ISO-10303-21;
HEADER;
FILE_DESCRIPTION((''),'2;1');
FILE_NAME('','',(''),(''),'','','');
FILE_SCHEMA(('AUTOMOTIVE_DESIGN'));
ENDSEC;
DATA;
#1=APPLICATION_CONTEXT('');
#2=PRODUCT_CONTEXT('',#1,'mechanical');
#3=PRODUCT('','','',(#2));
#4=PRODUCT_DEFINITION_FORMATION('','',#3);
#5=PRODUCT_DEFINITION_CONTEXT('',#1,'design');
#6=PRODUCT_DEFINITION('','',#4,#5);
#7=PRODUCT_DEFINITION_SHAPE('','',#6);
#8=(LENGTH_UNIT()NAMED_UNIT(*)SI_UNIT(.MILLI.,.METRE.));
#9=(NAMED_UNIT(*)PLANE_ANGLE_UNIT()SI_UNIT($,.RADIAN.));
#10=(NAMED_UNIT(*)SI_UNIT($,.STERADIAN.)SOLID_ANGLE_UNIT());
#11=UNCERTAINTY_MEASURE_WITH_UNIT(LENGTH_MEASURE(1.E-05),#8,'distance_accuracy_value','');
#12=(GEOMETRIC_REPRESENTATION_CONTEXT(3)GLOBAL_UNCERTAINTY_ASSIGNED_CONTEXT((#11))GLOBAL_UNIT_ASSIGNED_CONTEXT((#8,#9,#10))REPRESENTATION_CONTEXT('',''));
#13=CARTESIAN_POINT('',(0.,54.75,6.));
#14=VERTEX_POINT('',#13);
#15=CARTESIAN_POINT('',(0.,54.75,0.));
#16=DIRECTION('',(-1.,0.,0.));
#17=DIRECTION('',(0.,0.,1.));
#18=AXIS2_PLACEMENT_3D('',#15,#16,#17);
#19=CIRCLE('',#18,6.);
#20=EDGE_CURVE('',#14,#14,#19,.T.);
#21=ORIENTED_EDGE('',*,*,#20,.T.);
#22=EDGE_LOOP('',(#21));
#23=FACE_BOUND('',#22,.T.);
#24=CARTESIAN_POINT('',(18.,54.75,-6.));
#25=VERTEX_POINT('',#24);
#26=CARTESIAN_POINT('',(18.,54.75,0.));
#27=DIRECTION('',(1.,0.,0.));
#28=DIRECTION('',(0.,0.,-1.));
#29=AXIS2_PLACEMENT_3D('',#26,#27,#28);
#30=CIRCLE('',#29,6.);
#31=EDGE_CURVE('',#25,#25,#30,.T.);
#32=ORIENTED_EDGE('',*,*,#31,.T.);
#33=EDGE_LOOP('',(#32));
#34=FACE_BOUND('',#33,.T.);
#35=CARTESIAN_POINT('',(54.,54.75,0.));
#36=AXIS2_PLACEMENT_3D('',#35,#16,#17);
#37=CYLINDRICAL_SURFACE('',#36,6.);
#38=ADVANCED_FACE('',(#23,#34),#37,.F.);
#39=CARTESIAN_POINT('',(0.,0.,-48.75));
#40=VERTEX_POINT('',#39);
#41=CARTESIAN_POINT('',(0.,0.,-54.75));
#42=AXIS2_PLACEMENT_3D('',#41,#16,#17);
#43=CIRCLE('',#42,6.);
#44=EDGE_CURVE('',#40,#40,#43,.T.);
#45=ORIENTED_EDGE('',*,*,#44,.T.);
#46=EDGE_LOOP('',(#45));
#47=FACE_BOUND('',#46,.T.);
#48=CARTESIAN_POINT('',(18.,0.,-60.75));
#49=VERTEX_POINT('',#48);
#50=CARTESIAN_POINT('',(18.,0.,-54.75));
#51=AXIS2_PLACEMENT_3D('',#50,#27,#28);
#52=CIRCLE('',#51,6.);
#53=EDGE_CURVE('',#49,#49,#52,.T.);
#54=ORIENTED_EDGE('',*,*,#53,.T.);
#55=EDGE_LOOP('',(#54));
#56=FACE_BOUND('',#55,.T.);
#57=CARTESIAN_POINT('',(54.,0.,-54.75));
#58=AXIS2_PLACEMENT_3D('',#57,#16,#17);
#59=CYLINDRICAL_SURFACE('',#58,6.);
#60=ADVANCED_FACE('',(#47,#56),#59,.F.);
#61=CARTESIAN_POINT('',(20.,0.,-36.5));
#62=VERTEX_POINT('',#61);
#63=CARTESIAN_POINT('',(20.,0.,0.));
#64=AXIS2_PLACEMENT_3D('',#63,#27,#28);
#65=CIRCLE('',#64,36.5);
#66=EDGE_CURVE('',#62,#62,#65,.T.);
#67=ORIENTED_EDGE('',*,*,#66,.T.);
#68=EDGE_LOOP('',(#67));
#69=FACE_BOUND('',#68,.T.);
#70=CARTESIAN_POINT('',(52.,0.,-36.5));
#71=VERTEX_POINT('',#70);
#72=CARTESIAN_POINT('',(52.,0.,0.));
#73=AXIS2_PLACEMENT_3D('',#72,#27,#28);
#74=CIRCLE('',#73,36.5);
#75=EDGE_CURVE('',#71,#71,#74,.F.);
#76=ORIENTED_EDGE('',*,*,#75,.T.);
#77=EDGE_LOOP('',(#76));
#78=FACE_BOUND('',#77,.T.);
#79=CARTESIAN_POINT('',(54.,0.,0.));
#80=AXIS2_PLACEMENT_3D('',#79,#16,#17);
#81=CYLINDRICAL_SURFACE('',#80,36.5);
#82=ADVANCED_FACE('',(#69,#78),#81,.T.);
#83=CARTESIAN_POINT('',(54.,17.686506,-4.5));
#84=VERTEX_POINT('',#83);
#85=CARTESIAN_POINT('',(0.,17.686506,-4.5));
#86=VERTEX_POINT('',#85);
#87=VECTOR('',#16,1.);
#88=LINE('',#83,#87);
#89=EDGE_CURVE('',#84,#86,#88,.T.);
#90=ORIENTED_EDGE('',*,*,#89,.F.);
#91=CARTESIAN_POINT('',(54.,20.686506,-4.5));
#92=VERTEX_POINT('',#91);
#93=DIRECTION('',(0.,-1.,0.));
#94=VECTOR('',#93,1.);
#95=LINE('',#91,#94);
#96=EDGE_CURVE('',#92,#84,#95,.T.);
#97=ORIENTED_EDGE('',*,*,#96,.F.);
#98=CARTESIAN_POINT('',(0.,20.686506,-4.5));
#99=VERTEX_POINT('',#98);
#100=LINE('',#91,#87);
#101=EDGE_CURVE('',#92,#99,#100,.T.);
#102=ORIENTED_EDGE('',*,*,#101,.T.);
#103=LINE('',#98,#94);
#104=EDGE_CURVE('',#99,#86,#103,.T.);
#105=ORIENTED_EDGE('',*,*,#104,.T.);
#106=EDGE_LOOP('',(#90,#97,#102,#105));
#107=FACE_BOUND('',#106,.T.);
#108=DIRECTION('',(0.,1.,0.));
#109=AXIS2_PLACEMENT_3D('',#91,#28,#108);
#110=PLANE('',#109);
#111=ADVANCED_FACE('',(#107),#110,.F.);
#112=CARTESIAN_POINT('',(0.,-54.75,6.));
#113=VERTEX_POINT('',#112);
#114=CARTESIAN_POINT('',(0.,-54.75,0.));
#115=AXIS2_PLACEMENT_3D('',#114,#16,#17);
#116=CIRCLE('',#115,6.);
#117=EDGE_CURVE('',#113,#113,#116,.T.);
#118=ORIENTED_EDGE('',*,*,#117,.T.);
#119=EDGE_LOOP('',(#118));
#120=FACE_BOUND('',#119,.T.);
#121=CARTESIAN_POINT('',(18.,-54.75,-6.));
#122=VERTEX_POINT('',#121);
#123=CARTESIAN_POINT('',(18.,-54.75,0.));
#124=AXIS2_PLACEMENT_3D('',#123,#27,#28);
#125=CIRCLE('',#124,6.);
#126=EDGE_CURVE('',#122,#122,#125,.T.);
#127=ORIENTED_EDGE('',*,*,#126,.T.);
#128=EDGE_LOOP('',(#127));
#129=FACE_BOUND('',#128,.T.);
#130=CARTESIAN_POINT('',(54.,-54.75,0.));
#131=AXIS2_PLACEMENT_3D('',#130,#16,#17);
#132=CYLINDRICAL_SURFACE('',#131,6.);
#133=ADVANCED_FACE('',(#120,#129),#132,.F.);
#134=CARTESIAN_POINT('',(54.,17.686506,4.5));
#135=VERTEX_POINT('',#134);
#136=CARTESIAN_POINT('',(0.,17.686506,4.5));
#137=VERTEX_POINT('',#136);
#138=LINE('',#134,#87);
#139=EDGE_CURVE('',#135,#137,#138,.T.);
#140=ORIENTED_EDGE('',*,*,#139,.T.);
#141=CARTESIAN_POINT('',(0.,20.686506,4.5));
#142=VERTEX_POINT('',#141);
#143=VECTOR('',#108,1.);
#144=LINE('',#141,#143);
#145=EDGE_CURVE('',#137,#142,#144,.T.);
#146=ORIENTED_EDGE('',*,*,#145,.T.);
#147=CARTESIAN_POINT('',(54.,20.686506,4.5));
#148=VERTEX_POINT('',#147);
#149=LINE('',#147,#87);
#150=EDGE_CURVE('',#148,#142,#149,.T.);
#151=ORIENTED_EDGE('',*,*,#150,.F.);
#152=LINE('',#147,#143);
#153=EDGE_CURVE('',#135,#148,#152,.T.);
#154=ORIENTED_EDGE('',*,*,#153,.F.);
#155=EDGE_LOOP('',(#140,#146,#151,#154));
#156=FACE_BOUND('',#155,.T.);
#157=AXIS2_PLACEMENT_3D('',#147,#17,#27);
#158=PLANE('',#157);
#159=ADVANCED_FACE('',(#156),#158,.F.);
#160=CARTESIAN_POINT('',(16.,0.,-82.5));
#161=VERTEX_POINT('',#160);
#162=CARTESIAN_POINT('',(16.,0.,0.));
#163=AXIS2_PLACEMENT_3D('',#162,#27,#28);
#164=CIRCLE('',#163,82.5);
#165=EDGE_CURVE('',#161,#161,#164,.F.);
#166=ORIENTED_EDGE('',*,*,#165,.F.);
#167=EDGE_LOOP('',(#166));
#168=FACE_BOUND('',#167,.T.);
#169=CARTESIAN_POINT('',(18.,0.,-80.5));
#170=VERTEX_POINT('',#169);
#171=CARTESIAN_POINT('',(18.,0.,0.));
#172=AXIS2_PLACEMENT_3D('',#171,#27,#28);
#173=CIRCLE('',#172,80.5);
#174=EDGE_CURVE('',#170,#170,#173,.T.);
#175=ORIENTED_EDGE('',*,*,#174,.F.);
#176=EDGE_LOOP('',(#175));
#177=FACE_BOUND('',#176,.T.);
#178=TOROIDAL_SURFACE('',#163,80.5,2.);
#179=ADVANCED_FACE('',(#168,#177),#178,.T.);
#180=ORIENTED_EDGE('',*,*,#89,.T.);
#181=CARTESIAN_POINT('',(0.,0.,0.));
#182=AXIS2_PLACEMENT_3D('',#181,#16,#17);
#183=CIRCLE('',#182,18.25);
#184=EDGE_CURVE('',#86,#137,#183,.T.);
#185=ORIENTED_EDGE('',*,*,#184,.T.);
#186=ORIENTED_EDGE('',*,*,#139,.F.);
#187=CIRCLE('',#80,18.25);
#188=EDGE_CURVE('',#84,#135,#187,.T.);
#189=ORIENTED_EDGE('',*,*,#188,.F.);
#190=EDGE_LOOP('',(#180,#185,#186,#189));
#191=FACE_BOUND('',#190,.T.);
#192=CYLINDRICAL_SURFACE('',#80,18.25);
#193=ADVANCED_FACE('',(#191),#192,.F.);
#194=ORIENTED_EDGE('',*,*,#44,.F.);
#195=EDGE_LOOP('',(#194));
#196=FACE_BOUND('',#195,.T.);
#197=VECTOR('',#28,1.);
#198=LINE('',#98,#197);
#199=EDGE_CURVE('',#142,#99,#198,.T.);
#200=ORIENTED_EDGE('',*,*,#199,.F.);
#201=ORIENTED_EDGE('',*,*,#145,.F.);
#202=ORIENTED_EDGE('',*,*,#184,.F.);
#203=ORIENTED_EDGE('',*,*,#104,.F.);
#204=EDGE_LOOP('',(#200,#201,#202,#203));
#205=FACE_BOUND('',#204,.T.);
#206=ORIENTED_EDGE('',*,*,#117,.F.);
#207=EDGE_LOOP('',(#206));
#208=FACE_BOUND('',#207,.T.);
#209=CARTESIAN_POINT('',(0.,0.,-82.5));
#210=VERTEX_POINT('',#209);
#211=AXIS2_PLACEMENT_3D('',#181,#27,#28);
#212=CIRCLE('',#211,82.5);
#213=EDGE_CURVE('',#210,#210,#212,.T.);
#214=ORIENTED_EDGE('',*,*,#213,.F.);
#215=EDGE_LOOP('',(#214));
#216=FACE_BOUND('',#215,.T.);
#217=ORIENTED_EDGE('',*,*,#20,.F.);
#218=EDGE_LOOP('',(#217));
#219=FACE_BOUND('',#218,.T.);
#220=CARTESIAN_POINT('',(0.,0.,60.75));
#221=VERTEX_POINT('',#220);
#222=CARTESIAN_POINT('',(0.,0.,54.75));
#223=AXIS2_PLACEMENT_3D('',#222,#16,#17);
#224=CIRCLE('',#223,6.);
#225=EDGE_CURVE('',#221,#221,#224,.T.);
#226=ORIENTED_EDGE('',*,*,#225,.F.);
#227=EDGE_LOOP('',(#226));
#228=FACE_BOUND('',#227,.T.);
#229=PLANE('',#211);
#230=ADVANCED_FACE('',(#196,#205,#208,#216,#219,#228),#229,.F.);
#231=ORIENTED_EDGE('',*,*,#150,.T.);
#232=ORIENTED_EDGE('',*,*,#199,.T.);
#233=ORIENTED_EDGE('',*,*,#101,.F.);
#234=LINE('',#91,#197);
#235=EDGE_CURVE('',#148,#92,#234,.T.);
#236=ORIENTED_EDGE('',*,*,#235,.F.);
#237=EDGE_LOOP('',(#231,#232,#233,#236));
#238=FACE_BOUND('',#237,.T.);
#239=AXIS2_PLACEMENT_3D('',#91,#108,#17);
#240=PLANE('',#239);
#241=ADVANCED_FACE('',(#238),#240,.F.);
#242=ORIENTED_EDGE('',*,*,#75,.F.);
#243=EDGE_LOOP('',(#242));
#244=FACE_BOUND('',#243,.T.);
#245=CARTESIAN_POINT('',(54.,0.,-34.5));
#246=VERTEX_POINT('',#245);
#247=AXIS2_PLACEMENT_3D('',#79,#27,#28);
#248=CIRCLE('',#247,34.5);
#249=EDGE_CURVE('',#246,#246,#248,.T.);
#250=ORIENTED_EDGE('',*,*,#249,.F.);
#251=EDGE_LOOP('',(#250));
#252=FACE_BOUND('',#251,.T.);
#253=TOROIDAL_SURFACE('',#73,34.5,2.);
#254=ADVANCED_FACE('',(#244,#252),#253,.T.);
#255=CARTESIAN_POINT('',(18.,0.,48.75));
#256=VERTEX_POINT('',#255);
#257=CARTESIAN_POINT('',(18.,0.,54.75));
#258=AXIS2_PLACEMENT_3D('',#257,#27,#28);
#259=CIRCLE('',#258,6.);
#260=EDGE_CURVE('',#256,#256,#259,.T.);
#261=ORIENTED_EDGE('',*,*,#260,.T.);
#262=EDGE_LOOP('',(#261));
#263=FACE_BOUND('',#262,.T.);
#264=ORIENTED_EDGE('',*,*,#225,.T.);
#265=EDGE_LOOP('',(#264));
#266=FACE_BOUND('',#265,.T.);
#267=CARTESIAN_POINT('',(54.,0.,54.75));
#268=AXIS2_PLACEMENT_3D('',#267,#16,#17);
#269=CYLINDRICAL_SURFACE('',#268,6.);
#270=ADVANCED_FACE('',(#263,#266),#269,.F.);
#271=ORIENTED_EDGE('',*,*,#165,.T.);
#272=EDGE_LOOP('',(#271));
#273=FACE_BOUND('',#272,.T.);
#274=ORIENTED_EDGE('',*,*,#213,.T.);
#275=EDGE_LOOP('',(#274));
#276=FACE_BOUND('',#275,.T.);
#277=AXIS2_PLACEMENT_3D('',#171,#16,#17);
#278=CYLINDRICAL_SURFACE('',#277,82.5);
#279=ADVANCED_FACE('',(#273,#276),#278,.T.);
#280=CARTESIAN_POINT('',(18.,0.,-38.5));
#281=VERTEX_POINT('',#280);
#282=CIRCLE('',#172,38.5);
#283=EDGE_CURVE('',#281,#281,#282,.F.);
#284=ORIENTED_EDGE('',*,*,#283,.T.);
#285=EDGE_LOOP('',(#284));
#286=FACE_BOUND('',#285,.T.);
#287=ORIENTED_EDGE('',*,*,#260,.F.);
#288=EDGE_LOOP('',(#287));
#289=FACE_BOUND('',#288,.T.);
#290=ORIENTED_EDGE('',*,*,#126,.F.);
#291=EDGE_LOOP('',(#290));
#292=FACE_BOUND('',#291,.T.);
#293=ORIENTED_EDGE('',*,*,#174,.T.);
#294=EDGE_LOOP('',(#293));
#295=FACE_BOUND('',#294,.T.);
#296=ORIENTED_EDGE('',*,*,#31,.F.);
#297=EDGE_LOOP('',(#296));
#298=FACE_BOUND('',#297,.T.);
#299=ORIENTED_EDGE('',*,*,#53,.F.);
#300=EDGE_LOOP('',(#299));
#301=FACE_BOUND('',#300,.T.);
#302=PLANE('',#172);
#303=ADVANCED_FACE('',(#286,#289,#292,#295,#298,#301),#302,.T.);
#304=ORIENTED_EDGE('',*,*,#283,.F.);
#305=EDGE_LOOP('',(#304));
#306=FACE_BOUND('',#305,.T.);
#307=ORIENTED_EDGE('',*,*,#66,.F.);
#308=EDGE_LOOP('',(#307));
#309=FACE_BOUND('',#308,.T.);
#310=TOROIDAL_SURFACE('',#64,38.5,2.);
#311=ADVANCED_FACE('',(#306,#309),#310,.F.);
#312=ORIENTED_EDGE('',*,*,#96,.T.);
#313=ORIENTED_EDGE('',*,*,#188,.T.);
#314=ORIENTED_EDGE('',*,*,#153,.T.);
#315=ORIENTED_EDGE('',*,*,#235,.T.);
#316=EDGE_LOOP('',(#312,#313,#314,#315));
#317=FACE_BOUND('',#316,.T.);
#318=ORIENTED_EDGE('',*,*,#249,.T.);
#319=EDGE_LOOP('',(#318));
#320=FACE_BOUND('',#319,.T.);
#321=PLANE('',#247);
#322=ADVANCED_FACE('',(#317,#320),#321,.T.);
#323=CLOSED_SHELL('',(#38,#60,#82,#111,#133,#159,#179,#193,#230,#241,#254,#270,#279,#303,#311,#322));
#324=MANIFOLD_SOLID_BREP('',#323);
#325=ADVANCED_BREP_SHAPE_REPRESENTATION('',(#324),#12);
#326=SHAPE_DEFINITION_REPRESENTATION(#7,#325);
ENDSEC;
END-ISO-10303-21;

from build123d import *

# Parameters (mm, degrees)
SKETCH1_R           = 82.5
BOSS_EXTRUDE1_DEPTH = 18
SKETCH2_R           = 36.5
BOSS_EXTRUDE2_DEPTH = 36
SKETCH3_R           = 18.25
CUT_EXTRUDE1_DEPTH  = 129.563214023
SKETCH4_R           = 6
CUT_EXTRUDE2_DEPTH  = 129.563214023
FILLET1_R           = 2
SKETCH5_W           = 9
SKETCH5_H           = 3
CUT_EXTRUDE3_DEPTH  = 129.563214023


with BuildPart() as part:
    # Sketch1 → Boss-Extrude1 (new body)
    with BuildSketch(Plane(origin=(0, 0, 0), x_dir=(0, 0, -1), z_dir=(1, 0, 0))):
        Circle(SKETCH1_R)
    extrude(amount=BOSS_EXTRUDE1_DEPTH)

    # Sketch2 → Boss-Extrude2 (add)
    with BuildSketch(Plane(origin=(18, 0, 0), x_dir=(0, 0, -1), z_dir=(1, 0, 0))):
        Circle(SKETCH2_R)
    extrude(amount=BOSS_EXTRUDE2_DEPTH)

    # Sketch3 → Cut-Extrude1 (cut, through all)
    with BuildSketch(Plane.ZY):
        Circle(SKETCH3_R)
    extrude(amount=-CUT_EXTRUDE1_DEPTH, mode=Mode.SUBTRACT)

    # Sketch4 → Cut-Extrude2 (cut, through all)
    with BuildSketch(Plane.ZY):
        with Locations((0, -54.75)):
            Circle(SKETCH4_R)
        with Locations((-54.75, 0)):
            Circle(SKETCH4_R)
        with Locations((0, 54.75)):
            Circle(SKETCH4_R)
        with Locations((54.75, 0)):
            Circle(SKETCH4_R)
    extrude(amount=-CUT_EXTRUDE2_DEPTH, mode=Mode.SUBTRACT)

    # Fillet1
    fillet1_edges = [part.edges().sort_by_distance(p)[0] for p in [
        (18, 0, 82.5),
        (18, 0, 36.5),
        (54, 0, 36.5),
    ]]
    fillet(fillet1_edges, radius=FILLET1_R)

    # Sketch5 → Cut-Extrude3 (cut, through all)
    with BuildSketch(Plane.ZY):
        with Locations((0, 19.186506156)):
            Rectangle(SKETCH5_W, SKETCH5_H)
    extrude(amount=-CUT_EXTRUDE3_DEPTH, mode=Mode.SUBTRACT)


solid = part.part
